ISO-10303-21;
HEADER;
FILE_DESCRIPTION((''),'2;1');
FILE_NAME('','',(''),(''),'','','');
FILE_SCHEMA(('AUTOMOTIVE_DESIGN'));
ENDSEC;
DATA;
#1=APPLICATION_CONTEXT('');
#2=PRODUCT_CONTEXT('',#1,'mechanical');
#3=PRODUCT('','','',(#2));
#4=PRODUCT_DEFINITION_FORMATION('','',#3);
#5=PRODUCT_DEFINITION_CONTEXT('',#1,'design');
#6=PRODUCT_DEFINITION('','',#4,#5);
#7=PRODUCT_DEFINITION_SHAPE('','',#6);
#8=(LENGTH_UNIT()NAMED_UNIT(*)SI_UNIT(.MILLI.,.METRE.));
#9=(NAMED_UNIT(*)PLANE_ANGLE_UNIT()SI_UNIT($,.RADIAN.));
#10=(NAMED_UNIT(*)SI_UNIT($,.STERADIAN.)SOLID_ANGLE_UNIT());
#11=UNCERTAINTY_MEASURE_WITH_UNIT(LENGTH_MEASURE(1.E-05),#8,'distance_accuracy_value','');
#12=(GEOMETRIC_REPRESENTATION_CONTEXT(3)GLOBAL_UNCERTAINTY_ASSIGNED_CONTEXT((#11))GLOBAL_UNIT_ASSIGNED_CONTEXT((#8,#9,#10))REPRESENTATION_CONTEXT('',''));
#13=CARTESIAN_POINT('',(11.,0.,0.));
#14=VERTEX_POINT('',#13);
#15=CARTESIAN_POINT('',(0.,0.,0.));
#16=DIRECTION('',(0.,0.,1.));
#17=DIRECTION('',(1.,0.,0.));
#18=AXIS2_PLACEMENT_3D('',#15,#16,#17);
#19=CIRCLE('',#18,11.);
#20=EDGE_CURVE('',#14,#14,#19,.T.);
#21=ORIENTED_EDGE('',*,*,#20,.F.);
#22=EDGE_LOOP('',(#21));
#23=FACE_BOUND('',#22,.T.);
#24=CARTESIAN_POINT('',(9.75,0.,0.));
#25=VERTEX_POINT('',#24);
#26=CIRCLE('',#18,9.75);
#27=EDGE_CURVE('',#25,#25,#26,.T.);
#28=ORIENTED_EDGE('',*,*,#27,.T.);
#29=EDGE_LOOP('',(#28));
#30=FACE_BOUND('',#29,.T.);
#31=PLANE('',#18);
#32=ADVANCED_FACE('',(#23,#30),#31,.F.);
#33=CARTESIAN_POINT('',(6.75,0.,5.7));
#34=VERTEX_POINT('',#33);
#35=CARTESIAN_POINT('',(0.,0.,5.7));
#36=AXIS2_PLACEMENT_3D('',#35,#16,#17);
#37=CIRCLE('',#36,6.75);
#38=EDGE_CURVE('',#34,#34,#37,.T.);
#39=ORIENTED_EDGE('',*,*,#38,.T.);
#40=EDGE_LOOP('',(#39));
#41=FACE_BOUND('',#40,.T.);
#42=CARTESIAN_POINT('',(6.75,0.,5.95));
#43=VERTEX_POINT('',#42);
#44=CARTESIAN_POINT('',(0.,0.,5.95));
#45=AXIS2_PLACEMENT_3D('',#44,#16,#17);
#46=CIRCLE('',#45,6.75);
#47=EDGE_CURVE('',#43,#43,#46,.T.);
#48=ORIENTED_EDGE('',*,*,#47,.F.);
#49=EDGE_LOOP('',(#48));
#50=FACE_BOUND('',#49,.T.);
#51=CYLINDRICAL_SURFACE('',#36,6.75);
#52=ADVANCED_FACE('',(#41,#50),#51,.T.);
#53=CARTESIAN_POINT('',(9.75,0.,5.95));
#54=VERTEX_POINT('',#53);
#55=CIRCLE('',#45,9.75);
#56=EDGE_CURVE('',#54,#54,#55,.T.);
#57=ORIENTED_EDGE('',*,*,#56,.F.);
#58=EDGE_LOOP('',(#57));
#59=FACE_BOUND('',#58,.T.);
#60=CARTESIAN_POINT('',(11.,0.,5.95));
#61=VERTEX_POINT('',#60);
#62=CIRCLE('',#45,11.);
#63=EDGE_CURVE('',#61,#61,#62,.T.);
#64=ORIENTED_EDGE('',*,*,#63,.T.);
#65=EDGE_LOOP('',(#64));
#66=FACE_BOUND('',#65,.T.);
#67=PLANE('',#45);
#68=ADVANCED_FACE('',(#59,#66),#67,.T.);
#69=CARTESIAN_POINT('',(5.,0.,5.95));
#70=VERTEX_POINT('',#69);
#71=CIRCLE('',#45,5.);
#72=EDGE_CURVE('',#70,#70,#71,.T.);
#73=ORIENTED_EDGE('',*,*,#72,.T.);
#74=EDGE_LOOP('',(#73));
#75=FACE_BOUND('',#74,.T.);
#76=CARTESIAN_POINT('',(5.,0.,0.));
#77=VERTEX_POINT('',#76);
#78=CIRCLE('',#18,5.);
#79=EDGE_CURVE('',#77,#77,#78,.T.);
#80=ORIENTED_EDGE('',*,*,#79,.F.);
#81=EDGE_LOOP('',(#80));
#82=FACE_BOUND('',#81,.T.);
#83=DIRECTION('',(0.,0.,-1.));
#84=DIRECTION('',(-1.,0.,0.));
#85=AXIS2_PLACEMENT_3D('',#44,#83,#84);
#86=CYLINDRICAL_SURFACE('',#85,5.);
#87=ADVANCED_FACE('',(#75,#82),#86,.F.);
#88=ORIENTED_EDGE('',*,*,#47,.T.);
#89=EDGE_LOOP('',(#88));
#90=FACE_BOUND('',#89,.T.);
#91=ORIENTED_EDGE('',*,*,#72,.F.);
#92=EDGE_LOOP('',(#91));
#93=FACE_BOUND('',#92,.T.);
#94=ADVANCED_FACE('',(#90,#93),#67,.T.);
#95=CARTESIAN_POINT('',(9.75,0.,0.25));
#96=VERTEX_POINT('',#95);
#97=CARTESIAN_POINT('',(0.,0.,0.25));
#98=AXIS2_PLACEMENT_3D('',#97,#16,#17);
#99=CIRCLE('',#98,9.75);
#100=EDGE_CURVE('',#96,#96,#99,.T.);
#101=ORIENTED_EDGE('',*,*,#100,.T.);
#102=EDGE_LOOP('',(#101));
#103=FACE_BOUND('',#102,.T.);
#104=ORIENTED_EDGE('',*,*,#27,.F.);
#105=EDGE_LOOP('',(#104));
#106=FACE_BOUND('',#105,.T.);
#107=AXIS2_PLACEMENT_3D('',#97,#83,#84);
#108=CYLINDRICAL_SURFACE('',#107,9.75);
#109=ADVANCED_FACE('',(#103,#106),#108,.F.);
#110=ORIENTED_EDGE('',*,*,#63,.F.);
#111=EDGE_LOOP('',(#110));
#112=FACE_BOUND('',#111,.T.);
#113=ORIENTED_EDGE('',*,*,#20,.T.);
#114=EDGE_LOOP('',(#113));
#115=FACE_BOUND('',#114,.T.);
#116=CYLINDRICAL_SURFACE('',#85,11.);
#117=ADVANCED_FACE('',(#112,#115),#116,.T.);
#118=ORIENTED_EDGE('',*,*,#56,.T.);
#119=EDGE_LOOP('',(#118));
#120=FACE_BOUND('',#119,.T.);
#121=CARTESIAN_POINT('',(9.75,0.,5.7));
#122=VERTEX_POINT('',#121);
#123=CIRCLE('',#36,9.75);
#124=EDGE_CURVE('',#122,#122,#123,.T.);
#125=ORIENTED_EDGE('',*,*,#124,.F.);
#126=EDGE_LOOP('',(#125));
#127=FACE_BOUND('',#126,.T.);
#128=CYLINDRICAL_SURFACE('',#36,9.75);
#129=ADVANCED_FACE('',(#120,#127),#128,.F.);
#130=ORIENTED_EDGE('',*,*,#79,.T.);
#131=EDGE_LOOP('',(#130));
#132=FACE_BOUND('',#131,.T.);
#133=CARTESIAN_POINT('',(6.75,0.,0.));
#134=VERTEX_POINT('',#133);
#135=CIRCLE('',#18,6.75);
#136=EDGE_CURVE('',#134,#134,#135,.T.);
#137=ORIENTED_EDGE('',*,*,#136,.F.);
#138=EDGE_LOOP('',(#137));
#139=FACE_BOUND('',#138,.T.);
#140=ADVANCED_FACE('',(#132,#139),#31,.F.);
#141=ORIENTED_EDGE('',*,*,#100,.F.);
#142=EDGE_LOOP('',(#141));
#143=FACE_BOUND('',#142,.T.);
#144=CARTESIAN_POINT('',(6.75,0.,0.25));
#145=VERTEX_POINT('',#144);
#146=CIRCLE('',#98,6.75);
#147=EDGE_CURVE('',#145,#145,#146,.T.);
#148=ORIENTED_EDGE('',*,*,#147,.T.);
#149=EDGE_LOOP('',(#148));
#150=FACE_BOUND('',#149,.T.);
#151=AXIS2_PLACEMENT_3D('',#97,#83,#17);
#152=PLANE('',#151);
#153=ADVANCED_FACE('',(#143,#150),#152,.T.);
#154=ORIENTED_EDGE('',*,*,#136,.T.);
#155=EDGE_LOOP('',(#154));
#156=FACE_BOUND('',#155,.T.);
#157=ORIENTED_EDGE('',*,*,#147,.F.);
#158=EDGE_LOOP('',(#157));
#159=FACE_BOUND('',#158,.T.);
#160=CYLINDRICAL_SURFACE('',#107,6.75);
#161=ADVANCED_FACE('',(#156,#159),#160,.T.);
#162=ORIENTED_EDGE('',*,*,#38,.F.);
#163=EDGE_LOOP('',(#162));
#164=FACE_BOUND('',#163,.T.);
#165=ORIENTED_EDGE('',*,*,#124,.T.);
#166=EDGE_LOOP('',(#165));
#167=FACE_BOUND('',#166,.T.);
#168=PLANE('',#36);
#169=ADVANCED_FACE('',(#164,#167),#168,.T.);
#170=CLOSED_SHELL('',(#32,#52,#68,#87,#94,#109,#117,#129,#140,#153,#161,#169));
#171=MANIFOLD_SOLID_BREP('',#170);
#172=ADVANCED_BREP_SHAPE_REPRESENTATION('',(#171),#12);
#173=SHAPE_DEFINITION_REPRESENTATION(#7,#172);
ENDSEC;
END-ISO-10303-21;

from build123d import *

# Parameters (mm, degrees)
SKETCH3_R           = 11
SKETCH3_R_2         = 5
BOSS_EXTRUDE1_DEPTH = 5.95
SKETCH4_R           = 9.75
SKETCH4_R_2         = 6.75
CUT_EXTRUDE1_DEPTH  = 0.25


with BuildPart() as part:
    # Sketch3 → Boss-Extrude1 (new body)
    with BuildSketch(Plane.XY):
        Circle(SKETCH3_R)
        Circle(SKETCH3_R_2, mode=Mode.SUBTRACT)
    extrude(amount=BOSS_EXTRUDE1_DEPTH)

    # Sketch4 → Cut-Extrude1 (cut)
    with BuildSketch(Plane.XY.offset(5.95)):
        Circle(SKETCH4_R)
        Circle(SKETCH4_R_2, mode=Mode.SUBTRACT)
    cut_extrude1 = extrude(amount=-CUT_EXTRUDE1_DEPTH, mode=Mode.SUBTRACT)

    # Mirror1: Cut-Extrude1 across plane
    add(cut_extrude1.mirror(Plane.XY.offset(2.975)), mode=Mode.SUBTRACT)


solid = part.part
